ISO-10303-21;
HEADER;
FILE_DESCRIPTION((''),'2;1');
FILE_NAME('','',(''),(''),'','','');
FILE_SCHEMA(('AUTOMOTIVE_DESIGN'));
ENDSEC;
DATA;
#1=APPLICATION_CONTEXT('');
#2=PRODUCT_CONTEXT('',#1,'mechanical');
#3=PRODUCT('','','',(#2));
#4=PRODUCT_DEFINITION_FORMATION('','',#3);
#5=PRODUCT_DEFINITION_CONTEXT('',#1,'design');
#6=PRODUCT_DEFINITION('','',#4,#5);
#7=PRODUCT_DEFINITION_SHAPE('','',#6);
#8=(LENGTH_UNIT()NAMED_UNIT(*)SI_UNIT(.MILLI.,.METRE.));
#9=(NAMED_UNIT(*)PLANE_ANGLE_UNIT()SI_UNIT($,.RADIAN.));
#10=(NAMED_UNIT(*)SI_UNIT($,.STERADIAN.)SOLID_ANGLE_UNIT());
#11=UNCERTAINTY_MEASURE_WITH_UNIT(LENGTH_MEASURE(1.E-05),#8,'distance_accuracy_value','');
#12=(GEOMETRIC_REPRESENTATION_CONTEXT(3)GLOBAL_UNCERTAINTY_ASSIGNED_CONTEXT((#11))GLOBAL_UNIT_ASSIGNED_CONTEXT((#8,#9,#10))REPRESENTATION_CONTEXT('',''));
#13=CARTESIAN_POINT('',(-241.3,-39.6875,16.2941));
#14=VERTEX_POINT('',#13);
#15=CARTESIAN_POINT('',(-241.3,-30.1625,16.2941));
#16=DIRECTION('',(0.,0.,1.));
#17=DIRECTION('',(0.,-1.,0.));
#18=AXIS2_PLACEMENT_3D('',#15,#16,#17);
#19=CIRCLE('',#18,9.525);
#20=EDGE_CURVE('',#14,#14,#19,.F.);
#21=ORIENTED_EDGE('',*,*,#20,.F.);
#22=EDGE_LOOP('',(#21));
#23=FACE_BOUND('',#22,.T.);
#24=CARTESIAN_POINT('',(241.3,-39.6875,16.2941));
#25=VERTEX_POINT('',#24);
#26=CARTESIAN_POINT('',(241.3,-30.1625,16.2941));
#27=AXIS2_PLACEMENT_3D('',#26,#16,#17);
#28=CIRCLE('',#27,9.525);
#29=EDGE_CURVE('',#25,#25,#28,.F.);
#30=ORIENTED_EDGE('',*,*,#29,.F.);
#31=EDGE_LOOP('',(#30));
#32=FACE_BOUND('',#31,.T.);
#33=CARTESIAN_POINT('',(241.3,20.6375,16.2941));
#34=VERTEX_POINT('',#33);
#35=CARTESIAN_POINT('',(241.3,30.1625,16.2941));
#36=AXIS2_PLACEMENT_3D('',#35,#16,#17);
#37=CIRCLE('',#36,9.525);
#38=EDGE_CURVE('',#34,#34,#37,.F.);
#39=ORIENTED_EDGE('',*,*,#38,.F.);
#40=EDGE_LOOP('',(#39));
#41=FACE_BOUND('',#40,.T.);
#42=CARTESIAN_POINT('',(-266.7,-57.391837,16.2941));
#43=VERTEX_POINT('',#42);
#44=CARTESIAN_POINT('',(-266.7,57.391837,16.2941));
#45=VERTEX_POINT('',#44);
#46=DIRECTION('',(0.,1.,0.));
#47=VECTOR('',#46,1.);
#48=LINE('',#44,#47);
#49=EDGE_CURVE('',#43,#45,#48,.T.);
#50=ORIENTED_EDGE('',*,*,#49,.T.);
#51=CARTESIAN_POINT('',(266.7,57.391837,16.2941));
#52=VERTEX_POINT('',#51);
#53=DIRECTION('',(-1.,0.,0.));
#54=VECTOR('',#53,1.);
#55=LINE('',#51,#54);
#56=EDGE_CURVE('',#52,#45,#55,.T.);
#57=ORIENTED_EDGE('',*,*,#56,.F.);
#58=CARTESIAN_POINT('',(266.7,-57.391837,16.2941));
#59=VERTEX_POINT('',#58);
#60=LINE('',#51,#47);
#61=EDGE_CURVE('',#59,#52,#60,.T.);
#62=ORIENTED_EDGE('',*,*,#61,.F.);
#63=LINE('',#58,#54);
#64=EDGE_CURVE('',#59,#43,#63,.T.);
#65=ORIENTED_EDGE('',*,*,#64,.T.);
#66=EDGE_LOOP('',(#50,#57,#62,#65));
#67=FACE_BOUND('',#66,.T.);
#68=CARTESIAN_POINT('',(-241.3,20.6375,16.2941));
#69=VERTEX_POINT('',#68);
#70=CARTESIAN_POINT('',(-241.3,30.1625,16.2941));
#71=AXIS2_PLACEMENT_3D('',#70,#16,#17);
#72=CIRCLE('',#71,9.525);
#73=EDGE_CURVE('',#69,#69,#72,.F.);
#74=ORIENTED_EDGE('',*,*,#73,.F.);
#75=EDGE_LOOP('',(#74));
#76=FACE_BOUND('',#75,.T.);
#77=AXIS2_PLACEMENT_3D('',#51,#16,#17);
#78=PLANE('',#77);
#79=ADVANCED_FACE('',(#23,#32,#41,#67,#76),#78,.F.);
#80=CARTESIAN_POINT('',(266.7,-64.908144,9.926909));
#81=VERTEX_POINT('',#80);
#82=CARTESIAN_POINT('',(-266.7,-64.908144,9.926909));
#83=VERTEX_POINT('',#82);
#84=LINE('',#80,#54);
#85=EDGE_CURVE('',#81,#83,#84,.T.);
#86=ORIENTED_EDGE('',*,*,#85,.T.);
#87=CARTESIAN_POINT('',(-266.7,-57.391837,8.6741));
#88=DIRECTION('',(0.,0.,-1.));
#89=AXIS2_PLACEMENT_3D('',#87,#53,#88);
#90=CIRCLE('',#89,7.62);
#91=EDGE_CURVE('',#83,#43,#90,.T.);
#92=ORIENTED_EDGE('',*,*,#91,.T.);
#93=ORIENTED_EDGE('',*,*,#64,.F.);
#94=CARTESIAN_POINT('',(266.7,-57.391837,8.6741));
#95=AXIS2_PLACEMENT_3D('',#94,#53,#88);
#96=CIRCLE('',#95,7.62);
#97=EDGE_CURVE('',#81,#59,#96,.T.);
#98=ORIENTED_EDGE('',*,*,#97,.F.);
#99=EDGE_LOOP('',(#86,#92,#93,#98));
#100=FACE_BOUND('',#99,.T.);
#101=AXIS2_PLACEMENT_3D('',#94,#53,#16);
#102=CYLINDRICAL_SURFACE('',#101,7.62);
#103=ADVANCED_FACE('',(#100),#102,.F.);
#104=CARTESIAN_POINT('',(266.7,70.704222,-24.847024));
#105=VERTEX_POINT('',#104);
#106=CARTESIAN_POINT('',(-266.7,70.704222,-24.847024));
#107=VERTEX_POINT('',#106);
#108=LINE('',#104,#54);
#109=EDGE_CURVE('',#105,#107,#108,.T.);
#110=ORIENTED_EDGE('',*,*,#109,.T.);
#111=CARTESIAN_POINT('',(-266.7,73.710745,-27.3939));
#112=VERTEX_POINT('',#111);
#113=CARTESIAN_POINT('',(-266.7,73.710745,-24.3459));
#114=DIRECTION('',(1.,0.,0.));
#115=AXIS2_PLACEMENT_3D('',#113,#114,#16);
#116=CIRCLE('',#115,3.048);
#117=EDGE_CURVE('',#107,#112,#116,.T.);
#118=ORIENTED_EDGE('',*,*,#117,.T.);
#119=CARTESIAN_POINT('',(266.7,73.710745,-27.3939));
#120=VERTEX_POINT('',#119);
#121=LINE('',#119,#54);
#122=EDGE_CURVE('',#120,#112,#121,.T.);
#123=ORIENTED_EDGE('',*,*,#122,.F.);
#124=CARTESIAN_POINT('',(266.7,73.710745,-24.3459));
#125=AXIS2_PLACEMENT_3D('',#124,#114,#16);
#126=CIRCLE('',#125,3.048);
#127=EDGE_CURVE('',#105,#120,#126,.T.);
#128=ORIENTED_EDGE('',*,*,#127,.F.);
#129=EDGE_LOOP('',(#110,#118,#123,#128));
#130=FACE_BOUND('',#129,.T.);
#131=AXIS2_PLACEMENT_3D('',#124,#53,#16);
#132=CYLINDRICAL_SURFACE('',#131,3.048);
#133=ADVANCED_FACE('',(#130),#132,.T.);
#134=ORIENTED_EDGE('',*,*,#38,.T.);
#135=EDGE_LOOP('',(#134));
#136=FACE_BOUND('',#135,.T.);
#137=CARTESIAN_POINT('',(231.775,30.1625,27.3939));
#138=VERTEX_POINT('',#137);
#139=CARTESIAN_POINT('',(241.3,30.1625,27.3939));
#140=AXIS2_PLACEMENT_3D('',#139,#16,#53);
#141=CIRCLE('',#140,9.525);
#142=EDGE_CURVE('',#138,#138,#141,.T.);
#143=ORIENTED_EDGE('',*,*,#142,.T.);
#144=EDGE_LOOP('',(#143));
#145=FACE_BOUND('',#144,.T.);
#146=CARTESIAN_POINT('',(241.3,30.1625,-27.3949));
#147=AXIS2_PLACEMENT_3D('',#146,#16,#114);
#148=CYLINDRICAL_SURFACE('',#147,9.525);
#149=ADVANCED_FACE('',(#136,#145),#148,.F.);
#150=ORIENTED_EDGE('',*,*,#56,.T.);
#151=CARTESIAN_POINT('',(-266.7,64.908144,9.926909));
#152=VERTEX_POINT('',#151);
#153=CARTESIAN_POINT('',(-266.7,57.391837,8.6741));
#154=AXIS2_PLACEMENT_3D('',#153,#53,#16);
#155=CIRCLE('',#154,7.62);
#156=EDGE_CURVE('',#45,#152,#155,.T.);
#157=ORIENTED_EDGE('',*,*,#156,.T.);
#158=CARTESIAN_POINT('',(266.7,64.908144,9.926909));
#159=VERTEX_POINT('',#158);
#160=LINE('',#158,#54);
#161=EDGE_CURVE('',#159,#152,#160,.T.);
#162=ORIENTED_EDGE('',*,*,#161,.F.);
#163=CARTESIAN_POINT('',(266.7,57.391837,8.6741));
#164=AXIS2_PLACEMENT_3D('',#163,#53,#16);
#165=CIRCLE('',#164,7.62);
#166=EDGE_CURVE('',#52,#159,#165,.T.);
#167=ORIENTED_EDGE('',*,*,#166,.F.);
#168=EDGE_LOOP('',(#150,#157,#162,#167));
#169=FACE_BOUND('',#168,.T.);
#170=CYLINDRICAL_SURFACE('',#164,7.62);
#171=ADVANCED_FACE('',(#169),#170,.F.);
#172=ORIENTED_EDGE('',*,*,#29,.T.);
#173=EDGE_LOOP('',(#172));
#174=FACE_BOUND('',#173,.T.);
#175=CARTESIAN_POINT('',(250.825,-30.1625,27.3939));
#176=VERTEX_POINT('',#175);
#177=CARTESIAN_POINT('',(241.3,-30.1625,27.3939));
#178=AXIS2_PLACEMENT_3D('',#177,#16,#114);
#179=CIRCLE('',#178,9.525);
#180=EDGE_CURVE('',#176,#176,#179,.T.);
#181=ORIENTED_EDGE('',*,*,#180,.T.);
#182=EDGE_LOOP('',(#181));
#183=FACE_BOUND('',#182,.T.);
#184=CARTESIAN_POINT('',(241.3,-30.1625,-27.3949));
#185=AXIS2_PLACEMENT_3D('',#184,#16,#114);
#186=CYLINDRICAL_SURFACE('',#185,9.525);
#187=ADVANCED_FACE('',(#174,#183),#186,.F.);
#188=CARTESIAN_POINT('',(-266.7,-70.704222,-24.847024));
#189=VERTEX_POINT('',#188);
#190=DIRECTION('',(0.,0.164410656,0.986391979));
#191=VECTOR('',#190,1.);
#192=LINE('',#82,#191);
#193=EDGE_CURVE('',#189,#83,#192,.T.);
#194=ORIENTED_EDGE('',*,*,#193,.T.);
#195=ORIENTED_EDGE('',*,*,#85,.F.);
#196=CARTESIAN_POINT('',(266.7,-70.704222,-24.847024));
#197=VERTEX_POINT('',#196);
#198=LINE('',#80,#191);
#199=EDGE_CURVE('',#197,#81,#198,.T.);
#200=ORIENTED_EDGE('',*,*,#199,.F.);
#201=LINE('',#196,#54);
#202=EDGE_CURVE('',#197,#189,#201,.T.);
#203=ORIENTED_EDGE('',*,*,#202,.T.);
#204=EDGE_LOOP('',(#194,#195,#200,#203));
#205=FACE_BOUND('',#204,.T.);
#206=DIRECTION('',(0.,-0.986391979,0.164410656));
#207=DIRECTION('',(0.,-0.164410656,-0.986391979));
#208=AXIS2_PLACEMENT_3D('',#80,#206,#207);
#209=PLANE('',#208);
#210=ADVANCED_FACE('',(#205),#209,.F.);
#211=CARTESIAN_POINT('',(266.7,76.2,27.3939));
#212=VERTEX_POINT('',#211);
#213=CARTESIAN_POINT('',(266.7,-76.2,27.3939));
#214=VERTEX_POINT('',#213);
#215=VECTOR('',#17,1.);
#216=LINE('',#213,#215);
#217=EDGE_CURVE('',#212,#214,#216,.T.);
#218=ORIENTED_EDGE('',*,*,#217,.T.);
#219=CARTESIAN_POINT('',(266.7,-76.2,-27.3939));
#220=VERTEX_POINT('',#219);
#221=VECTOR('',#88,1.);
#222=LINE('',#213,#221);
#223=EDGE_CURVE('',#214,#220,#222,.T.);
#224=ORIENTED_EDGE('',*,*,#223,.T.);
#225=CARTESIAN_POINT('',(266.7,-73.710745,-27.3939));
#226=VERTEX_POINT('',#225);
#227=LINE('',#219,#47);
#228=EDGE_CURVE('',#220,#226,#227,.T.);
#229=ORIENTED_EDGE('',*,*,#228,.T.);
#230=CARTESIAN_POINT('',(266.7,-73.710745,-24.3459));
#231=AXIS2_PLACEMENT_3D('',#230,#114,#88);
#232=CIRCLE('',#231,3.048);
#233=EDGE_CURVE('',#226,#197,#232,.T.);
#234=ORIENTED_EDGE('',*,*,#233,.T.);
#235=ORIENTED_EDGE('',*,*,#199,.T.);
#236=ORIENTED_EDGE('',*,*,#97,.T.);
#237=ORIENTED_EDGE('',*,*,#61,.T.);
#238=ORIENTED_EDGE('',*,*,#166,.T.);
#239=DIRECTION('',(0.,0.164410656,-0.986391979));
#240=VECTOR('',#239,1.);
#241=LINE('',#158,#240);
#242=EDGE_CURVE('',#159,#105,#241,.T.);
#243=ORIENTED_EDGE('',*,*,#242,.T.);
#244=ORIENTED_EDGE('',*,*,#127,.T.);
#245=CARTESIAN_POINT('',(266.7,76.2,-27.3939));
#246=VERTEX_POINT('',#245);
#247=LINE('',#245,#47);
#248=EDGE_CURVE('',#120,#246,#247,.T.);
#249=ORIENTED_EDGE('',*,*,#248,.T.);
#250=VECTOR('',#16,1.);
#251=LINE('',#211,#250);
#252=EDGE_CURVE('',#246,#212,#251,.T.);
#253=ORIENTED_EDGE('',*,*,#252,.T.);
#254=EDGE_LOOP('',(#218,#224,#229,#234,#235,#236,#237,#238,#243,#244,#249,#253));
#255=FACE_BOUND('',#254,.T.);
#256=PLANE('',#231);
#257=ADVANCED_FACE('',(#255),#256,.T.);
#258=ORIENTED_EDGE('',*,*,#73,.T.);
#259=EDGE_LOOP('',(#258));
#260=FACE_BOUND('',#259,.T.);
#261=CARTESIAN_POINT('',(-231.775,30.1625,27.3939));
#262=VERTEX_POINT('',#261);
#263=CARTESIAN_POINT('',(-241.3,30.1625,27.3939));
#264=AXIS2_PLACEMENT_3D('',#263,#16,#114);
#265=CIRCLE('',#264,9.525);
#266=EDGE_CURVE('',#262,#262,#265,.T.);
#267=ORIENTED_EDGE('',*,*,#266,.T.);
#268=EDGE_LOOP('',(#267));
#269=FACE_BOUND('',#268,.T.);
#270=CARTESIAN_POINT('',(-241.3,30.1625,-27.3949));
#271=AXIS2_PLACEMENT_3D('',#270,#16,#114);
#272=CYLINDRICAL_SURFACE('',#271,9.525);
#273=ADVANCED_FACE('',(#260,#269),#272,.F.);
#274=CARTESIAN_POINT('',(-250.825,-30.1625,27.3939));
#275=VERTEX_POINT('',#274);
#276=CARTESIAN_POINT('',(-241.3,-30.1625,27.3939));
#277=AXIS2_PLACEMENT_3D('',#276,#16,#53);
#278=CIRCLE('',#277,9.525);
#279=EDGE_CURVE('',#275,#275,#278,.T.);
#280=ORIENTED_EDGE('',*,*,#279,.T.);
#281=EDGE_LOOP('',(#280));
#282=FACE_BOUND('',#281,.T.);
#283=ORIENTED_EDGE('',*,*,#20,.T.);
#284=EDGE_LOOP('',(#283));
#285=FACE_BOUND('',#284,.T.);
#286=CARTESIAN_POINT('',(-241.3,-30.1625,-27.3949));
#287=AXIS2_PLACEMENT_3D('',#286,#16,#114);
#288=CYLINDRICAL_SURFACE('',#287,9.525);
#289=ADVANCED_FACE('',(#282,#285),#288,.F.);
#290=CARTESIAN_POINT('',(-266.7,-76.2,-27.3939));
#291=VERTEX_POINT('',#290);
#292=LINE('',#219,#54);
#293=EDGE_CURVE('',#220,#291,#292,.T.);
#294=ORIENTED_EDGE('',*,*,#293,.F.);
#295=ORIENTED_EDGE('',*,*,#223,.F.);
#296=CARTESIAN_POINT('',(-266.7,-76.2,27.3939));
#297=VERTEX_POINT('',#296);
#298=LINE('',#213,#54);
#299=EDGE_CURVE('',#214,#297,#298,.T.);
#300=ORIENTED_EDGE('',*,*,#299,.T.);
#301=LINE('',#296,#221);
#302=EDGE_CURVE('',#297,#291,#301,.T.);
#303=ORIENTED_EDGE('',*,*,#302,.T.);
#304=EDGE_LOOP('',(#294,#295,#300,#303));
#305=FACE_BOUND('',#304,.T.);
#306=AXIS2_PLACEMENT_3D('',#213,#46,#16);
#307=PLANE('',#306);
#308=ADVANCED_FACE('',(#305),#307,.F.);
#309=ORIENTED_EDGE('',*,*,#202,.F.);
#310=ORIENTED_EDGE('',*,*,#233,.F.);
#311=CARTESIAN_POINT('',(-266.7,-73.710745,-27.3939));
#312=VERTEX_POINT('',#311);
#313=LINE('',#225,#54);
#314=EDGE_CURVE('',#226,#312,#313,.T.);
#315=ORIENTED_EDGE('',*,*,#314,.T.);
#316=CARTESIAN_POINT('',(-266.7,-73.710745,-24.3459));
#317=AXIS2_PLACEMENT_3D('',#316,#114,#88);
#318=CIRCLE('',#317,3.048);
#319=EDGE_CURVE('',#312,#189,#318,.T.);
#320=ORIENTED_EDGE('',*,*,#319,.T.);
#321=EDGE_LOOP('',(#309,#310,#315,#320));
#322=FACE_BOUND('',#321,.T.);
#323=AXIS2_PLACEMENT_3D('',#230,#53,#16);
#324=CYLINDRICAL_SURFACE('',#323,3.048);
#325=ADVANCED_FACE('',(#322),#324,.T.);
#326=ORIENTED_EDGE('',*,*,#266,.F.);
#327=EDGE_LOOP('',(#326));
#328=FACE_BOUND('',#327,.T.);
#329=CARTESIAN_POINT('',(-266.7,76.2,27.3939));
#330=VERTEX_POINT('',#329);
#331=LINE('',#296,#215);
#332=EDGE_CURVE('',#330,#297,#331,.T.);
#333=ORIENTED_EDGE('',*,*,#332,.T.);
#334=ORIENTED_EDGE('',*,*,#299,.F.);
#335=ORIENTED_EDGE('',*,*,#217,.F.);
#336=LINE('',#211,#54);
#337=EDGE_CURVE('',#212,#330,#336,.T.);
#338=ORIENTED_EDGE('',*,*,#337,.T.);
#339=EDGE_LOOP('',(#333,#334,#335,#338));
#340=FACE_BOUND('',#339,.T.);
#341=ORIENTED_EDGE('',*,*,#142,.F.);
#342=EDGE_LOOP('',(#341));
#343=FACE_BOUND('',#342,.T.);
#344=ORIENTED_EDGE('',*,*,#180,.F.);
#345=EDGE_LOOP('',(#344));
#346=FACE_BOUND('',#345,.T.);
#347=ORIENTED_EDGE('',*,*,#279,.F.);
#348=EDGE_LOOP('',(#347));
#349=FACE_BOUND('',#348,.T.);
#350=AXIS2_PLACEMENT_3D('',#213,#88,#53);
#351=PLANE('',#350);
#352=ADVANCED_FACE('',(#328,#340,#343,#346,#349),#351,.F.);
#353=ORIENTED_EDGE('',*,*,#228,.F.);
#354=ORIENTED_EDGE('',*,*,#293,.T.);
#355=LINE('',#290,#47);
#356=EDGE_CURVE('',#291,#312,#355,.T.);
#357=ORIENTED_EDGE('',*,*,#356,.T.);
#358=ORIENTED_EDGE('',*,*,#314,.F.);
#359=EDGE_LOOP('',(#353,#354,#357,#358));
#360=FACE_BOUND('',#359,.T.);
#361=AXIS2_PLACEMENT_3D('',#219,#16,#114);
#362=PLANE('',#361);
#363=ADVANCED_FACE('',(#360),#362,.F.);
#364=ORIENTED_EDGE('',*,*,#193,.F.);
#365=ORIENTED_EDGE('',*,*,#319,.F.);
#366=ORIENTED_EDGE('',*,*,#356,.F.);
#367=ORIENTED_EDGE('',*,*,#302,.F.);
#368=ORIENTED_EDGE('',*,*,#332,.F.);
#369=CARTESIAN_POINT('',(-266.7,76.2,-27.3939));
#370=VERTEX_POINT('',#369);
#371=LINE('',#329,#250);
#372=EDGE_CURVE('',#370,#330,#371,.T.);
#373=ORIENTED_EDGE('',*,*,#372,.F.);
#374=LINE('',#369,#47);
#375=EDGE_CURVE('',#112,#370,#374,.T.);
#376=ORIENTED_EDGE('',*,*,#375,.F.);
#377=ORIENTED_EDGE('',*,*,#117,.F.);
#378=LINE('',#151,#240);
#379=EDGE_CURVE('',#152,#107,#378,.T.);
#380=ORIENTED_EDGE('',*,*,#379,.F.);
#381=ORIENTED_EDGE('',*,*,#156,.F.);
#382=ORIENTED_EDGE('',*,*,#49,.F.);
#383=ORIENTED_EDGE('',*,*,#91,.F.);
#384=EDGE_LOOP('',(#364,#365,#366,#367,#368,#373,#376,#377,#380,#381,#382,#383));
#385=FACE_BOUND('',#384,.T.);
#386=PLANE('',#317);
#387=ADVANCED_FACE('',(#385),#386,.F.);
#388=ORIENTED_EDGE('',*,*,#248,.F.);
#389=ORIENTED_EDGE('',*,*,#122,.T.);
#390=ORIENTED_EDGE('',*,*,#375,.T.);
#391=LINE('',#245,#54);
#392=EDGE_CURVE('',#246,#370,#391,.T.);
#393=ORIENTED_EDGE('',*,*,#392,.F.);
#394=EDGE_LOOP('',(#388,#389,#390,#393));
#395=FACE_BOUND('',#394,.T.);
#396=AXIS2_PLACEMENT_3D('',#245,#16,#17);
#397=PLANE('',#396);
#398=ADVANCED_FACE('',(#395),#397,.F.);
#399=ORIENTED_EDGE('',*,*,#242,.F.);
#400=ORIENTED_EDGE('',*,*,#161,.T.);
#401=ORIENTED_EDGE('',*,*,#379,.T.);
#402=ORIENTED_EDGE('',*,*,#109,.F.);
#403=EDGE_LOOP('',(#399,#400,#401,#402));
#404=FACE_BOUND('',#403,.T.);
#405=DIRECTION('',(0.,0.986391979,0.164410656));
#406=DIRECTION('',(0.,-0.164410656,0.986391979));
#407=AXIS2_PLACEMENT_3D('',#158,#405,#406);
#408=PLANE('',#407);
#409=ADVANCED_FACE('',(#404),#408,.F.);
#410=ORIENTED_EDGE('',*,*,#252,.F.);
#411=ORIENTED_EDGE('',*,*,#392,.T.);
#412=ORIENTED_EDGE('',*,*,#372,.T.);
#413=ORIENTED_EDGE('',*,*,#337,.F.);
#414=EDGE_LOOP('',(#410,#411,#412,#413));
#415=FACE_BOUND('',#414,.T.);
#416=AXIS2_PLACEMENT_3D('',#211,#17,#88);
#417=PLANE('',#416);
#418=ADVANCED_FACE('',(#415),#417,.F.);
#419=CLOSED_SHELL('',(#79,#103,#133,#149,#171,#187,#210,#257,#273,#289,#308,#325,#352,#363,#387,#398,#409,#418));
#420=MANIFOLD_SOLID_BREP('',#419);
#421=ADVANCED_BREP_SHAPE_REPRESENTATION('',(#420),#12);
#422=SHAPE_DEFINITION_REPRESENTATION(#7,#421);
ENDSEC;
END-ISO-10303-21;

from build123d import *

# Parameters (mm, degrees)
BOSS_EXTRUDE1_DEPTH = 266.7
CUT_EXTRUDE1_REACH  = 56.788
SKETCH2_R           = 9.525


with BuildPart() as part:
    # Sketch1 → Boss-Extrude1 (new body, symmetric)
    with BuildSketch(Plane(origin=(0, 0, 0), x_dir=(0, 0, -1), z_dir=(1, 0, 0))):
        with BuildLine():
            Line((-27.3939, -76.2), (-27.3939, 76.2))
            Line((-27.3939, 76.2), (27.3939, 76.2))
            Line((27.3939, 76.2), (27.3939, 73.710744653))
            ThreePointArc((27.3939, 73.710744653), (26.67159656, 71.740607726), (24.84702368, 70.704221901))
            Line((24.84702368, 70.704221901), (-9.926909199, 64.908143628))
            ThreePointArc((-9.926909199, 64.908143628), (-14.488341399, 62.317179067), (-16.2941, 57.391836749))
            Line((-16.2941, 57.391836749), (-16.2941, -57.391836749))
            ThreePointArc((-16.2941, -57.391836749), (-14.488341399, -62.317179067), (-9.926909199, -64.908143628))
            Line((-9.926909199, -64.908143628), (24.84702368, -70.704221901))
            ThreePointArc((24.84702368, -70.704221901), (26.67159656, -71.740607726), (27.3939, -73.710744653))
            Line((27.3939, -73.710744653), (27.3939, -76.2))
            Line((27.3939, -76.2), (-27.3939, -76.2))
        make_face()
    extrude(amount=BOSS_EXTRUDE1_DEPTH, both=True)

    # Sketch2 → Cut-Extrude1 (cut, up to next)
    with BuildSketch(Plane.XY.offset(27.3939), mode=Mode.PRIVATE) as cut_extrude1_sk1:
        with Locations((-241.3, 30.1625)):
            Circle(SKETCH2_R)
    cut_extrude1_tool1 = extrude(cut_extrude1_sk1.sketch, amount=-CUT_EXTRUDE1_REACH, mode=Mode.PRIVATE) & part.part
    add(cut_extrude1_tool1.solids().sort_by_distance((-241.3, 30.1625, 27.3939))[0], mode=Mode.SUBTRACT)
    # Sketch2 → Cut-Extrude1 (cut, up to next)
    with BuildSketch(Plane.XY.offset(27.3939), mode=Mode.PRIVATE) as cut_extrude1_sk2:
        with Locations((-241.3, -30.1625)):
            Circle(SKETCH2_R)
    cut_extrude1_tool2 = extrude(cut_extrude1_sk2.sketch, amount=-CUT_EXTRUDE1_REACH, mode=Mode.PRIVATE) & part.part
    add(cut_extrude1_tool2.solids().sort_by_distance((-241.3, -30.1625, 27.3939))[0], mode=Mode.SUBTRACT)
    # Sketch2 → Cut-Extrude1 (cut, up to next)
    with BuildSketch(Plane.XY.offset(27.3939), mode=Mode.PRIVATE) as cut_extrude1_sk3:
        with Locations((241.3, -30.1625)):
            Circle(SKETCH2_R)
    cut_extrude1_tool3 = extrude(cut_extrude1_sk3.sketch, amount=-CUT_EXTRUDE1_REACH, mode=Mode.PRIVATE) & part.part
    add(cut_extrude1_tool3.solids().sort_by_distance((241.3, -30.1625, 27.3939))[0], mode=Mode.SUBTRACT)
    # Sketch2 → Cut-Extrude1 (cut, up to next)
    with BuildSketch(Plane.XY.offset(27.3939), mode=Mode.PRIVATE) as cut_extrude1_sk4:
        with Locations((241.3, 30.1625)):
            Circle(SKETCH2_R)
    cut_extrude1_tool4 = extrude(cut_extrude1_sk4.sketch, amount=-CUT_EXTRUDE1_REACH, mode=Mode.PRIVATE) & part.part
    add(cut_extrude1_tool4.solids().sort_by_distance((241.3, 30.1625, 27.3939))[0], mode=Mode.SUBTRACT)


solid = part.part
